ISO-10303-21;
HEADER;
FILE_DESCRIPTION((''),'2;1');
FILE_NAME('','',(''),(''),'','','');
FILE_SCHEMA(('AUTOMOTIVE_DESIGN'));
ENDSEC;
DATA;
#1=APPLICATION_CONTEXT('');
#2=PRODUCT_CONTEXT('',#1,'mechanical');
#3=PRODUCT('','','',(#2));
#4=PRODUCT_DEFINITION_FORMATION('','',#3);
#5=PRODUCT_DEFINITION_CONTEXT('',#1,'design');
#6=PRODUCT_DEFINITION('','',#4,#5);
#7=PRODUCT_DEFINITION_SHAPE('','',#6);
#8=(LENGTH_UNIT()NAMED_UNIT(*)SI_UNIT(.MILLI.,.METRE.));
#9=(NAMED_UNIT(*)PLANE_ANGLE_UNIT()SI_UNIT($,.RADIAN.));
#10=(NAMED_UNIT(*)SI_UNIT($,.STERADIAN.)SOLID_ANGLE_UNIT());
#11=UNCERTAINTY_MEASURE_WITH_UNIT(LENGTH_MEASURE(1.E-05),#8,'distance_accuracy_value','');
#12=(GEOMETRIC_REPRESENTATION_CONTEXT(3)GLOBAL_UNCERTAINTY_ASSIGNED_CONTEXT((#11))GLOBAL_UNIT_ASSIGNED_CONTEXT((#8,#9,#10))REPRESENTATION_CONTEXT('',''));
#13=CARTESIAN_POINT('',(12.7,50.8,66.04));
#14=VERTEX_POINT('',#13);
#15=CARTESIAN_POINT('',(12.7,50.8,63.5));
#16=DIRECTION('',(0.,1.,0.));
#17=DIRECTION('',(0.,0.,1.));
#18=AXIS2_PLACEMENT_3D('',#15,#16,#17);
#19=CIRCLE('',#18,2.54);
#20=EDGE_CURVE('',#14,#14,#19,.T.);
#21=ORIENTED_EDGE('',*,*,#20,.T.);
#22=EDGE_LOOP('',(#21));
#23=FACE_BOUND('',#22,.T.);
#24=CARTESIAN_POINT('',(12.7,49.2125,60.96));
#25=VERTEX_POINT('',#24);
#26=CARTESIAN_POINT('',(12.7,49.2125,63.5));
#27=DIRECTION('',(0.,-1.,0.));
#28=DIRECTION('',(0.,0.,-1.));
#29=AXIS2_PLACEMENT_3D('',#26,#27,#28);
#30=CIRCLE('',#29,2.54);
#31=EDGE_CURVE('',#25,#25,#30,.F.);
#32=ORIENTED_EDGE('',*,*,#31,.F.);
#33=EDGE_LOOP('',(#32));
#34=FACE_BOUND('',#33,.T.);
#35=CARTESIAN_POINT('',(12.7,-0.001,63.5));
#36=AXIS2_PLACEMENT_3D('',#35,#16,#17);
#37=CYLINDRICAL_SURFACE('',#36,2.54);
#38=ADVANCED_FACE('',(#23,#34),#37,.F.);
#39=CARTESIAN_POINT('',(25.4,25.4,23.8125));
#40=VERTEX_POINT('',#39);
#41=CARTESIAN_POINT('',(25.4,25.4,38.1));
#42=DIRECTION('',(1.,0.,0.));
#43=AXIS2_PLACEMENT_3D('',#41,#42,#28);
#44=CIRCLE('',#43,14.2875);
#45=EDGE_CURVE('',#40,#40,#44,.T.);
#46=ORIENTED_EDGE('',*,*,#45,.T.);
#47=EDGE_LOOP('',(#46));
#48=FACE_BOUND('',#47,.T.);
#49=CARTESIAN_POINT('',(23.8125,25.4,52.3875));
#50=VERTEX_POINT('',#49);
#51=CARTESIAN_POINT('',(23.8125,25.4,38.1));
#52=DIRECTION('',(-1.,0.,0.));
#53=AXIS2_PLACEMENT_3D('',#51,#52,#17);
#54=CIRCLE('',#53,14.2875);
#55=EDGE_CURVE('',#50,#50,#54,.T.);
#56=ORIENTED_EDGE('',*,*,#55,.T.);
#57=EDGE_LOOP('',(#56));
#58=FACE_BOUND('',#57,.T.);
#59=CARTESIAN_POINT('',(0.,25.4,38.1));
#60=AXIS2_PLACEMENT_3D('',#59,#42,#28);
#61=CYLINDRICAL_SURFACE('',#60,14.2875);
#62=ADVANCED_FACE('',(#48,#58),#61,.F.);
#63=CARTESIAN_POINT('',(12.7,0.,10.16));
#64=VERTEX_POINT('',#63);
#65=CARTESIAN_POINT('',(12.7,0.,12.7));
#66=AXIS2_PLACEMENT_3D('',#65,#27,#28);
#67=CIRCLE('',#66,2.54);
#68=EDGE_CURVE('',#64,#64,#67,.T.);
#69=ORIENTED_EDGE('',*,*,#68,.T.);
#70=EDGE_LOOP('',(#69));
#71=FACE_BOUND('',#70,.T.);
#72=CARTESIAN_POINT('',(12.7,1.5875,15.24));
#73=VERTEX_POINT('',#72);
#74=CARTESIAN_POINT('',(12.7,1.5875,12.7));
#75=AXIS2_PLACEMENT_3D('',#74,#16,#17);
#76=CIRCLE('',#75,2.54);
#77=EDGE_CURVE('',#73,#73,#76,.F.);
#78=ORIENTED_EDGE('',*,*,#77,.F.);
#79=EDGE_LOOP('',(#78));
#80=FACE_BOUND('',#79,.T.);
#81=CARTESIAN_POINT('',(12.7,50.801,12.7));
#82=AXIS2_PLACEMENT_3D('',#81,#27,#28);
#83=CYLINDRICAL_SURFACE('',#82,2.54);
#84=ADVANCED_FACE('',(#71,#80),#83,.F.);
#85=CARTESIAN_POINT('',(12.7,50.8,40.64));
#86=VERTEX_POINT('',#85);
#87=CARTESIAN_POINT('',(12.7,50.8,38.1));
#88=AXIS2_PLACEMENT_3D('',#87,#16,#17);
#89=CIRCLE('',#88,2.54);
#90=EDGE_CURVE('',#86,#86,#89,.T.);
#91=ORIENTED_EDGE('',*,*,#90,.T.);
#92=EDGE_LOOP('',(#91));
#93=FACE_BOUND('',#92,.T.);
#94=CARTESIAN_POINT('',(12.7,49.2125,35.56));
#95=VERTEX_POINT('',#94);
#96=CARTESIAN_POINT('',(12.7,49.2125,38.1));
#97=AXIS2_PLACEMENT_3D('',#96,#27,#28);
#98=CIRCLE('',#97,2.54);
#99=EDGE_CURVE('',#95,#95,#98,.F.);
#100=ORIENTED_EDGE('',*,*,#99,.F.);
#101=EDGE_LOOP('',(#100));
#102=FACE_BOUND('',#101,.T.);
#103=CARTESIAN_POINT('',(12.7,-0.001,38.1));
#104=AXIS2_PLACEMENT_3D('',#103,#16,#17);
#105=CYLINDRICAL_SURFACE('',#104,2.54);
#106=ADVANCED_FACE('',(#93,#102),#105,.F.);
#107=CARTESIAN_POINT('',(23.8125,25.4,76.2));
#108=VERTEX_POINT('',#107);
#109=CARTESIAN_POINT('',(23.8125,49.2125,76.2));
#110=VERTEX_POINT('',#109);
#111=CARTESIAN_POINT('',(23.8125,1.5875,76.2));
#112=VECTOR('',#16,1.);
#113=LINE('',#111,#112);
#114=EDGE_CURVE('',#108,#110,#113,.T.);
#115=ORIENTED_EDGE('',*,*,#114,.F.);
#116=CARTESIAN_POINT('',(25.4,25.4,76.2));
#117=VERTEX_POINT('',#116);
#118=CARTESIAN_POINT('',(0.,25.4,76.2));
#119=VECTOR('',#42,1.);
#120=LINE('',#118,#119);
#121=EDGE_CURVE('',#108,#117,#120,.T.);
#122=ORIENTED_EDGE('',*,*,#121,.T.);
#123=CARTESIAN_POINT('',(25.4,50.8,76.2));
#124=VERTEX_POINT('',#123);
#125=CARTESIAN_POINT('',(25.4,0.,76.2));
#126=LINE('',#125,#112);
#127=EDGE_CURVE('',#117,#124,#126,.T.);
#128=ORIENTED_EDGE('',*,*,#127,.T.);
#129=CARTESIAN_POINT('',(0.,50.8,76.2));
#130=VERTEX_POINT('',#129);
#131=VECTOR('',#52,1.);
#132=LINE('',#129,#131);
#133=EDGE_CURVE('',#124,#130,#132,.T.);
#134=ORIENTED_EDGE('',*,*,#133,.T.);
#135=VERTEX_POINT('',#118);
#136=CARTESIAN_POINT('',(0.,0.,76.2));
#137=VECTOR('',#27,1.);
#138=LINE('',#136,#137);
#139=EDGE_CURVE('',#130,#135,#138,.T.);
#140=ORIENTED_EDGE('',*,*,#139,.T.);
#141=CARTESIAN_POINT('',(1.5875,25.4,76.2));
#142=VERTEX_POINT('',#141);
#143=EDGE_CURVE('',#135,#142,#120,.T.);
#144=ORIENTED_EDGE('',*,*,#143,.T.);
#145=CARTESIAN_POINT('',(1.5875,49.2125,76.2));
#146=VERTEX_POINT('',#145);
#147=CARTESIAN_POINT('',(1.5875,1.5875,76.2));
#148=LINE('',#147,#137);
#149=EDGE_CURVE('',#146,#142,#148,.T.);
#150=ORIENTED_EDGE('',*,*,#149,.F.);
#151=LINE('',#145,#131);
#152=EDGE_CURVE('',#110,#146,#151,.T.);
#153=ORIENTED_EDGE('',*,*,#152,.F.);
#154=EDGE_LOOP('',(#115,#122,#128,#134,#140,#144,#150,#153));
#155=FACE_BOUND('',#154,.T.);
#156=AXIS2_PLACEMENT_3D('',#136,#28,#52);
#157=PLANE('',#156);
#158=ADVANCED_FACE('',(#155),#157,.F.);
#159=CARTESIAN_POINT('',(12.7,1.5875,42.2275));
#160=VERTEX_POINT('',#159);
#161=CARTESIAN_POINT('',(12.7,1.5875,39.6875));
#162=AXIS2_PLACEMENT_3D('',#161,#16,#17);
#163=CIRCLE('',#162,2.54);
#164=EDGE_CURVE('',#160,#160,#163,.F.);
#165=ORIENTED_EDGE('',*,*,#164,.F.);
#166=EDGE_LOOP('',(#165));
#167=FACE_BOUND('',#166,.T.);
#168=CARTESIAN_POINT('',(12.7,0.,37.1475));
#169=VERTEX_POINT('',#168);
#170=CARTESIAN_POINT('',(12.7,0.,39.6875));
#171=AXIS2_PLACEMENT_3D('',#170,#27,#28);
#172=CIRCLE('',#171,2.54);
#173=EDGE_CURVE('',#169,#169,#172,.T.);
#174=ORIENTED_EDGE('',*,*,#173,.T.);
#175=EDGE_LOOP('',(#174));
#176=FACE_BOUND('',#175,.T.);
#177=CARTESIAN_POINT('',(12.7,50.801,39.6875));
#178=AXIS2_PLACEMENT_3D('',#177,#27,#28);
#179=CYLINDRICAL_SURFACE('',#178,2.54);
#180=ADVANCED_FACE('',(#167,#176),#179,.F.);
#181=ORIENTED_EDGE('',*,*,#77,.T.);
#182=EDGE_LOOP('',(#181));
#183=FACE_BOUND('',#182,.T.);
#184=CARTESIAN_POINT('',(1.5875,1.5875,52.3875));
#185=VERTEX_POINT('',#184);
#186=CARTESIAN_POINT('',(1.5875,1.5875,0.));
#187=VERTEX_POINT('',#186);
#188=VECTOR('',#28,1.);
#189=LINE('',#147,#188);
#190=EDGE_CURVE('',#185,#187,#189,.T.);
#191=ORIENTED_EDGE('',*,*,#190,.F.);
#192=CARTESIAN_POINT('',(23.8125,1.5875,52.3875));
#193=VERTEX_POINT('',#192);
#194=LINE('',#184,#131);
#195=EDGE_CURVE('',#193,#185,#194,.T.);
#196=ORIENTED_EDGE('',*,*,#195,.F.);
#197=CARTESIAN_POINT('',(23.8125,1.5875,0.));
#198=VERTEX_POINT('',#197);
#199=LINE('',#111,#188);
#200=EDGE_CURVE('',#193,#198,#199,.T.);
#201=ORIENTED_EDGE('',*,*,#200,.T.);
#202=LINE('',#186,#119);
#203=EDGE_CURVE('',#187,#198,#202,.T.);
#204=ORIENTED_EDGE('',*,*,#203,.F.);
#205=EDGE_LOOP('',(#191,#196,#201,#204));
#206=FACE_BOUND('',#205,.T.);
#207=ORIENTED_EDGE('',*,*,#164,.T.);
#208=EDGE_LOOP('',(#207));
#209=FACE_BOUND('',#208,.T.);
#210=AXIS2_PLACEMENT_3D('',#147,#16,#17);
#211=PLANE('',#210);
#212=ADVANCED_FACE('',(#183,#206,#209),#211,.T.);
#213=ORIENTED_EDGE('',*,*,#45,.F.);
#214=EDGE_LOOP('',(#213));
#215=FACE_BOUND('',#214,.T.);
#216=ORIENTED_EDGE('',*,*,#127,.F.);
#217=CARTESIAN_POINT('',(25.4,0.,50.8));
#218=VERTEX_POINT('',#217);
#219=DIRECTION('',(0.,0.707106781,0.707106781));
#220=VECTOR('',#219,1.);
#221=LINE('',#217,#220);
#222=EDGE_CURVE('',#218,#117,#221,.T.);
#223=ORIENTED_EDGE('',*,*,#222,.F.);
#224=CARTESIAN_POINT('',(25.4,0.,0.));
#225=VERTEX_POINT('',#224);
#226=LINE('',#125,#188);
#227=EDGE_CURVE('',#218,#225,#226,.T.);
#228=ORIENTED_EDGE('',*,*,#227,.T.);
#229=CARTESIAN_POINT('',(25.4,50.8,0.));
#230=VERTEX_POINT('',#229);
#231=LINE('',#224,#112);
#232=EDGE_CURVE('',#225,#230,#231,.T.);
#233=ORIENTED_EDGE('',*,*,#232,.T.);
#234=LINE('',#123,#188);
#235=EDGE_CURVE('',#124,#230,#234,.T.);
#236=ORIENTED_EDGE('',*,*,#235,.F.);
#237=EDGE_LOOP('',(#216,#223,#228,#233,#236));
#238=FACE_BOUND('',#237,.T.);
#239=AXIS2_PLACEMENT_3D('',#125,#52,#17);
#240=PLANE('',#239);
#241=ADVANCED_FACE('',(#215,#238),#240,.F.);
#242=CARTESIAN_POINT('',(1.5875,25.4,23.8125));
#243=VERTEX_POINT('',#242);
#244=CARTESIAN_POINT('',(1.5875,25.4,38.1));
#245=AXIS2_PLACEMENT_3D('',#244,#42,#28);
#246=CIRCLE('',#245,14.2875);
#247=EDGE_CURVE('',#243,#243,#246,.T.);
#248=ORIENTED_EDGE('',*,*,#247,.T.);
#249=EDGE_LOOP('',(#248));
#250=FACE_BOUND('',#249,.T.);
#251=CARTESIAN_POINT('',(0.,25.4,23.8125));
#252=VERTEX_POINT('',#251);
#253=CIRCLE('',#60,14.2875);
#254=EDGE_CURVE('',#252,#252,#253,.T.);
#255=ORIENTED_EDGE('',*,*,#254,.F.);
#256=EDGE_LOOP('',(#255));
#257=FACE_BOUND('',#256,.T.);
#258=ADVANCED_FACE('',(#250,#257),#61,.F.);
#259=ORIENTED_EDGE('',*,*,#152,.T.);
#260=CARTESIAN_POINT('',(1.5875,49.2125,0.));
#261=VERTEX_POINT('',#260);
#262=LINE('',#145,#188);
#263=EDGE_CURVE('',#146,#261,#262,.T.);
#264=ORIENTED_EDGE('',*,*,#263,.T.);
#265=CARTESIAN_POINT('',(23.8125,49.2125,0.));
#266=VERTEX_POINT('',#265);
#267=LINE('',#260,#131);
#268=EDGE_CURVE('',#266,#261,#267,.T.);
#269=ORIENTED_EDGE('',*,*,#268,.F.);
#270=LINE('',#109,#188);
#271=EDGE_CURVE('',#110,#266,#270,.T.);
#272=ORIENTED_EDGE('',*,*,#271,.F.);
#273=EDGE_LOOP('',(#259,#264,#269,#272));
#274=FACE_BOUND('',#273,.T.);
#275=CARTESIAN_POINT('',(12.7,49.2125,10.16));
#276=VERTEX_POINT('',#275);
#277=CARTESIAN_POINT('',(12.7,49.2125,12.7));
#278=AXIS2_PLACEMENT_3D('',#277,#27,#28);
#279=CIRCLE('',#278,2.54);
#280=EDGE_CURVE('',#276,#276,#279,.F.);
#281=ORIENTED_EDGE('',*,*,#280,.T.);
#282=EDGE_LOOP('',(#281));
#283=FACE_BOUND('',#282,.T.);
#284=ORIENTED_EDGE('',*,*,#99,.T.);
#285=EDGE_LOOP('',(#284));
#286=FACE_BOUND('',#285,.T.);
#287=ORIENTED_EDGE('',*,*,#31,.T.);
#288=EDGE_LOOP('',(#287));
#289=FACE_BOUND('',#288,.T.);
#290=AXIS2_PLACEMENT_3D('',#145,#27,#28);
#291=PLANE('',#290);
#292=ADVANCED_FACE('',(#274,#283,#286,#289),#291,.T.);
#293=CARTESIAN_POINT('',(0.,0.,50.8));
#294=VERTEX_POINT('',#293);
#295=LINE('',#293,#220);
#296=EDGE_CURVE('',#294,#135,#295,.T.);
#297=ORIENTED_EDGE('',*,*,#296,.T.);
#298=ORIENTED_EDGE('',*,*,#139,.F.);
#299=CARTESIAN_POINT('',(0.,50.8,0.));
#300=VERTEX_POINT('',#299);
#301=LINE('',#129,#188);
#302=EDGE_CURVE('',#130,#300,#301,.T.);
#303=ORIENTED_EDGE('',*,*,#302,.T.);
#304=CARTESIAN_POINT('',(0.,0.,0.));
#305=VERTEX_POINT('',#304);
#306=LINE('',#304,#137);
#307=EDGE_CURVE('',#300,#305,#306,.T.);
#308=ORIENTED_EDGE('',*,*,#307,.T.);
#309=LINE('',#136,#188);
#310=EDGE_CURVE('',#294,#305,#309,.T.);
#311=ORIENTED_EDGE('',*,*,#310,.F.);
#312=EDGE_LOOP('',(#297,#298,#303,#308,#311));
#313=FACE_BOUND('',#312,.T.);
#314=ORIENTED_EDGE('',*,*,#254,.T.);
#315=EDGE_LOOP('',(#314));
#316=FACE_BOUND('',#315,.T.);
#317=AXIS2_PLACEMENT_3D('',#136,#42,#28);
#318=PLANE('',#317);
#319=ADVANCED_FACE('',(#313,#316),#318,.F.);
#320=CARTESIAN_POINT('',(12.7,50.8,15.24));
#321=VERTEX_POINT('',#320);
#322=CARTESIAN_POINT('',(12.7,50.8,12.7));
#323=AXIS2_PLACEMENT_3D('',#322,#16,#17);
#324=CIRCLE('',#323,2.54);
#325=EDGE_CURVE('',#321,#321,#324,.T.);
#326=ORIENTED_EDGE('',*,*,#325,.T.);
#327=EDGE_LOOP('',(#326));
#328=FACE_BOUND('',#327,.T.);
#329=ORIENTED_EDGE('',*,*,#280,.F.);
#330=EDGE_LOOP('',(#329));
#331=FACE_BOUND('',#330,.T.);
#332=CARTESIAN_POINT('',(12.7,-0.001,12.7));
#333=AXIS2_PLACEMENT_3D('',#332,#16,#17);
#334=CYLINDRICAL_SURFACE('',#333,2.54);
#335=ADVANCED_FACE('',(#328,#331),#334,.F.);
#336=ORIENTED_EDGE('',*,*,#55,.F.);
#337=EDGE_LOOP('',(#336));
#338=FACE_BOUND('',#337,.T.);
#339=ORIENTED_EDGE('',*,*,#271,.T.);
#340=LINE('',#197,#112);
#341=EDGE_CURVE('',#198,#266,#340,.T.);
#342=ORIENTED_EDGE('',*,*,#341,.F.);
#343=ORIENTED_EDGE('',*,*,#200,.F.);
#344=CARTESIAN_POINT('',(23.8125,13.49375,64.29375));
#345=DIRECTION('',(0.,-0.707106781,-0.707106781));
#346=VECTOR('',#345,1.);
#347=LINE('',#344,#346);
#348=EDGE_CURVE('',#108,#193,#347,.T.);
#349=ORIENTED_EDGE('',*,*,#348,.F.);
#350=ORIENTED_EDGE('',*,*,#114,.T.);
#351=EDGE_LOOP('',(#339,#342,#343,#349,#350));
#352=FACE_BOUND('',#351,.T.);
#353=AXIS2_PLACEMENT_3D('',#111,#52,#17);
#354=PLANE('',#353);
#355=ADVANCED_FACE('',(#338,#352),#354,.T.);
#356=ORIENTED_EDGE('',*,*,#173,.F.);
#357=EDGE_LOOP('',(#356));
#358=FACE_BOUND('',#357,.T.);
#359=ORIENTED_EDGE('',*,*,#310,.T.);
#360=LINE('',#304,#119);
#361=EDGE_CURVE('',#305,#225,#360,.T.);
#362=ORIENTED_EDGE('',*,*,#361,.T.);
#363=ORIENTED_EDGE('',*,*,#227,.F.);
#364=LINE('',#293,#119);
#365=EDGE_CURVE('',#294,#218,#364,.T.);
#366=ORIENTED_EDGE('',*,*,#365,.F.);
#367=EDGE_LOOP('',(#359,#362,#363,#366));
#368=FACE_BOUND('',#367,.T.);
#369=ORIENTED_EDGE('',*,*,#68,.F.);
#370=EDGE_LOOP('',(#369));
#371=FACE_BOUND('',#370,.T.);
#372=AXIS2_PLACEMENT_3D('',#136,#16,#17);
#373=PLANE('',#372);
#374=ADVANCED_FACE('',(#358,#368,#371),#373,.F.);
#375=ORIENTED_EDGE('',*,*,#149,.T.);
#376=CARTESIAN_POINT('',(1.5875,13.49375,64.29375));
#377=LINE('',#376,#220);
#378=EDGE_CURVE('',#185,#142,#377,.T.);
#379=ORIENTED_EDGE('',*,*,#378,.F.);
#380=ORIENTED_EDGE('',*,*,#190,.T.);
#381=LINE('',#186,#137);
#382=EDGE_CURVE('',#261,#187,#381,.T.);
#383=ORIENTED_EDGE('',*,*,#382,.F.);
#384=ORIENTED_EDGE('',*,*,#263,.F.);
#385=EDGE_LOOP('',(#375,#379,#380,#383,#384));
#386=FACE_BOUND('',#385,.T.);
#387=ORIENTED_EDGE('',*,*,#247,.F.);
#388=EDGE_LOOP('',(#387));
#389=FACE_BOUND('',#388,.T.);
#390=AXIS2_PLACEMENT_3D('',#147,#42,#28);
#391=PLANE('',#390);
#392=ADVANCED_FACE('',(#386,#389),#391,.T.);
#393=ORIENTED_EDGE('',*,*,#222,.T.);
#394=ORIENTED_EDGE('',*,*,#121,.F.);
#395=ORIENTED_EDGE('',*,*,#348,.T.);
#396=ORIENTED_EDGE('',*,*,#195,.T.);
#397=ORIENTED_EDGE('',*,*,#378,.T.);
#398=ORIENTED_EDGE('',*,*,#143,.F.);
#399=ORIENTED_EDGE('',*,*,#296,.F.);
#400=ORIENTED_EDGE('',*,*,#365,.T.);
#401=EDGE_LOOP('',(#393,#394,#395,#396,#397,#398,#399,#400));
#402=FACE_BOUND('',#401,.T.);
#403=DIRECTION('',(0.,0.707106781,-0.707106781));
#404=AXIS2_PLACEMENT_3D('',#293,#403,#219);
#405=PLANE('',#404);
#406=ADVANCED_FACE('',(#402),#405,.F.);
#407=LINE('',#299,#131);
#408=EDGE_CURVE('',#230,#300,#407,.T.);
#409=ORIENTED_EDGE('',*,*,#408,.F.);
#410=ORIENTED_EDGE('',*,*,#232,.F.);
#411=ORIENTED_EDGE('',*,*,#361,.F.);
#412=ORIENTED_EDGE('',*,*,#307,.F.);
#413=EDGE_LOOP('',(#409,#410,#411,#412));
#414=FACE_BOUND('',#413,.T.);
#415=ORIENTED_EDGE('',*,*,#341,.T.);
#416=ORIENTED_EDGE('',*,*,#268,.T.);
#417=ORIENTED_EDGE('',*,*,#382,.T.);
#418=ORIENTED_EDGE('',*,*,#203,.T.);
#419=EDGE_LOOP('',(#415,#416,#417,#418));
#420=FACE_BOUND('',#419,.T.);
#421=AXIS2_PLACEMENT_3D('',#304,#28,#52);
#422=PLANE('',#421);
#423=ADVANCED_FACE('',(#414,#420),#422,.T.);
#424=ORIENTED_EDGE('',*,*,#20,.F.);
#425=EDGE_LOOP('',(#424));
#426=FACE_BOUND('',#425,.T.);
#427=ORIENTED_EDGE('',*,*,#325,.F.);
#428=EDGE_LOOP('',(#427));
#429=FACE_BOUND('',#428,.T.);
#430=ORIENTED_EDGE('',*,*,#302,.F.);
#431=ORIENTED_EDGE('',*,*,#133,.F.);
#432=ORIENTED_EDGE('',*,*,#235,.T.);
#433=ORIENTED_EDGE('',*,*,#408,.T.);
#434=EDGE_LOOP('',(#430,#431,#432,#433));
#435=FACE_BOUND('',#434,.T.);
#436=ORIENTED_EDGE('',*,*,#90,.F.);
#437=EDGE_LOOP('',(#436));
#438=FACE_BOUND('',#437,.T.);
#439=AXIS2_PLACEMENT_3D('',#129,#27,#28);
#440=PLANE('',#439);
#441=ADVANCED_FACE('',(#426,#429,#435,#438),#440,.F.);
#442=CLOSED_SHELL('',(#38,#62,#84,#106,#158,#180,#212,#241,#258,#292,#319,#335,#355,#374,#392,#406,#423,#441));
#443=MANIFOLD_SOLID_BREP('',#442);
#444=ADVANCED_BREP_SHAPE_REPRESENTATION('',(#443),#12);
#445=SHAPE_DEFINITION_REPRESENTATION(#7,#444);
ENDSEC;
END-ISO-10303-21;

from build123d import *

# Parameters (mm, degrees)
SKETCH1_W           = 25.4
SKETCH1_H           = 50.8
SKETCH1_W_2         = 22.225
SKETCH1_H_2         = 47.625
BOSS_EXTRUDE1_DEPTH = 76.2
SKETCH2_R           = 14.2875
CUT_EXTRUDE1_DEPTH  = 96.038097624
CUT_EXTRUDE2_DEPTH  = 96.038097624
CUT_EXTRUDE3_REACH  = 97.038
SKETCH4_R           = 2.54
CUT_EXTRUDE4_REACH  = 97.038
SKETCH5_R           = 2.54


with BuildPart() as part:
    # Sketch1 → Boss-Extrude1 (new body)
    with BuildSketch(Plane.XY):
        with Locations((12.7, 25.4)):
            Rectangle(SKETCH1_W, SKETCH1_H)
        with Locations((12.7, 25.4)):
            Rectangle(SKETCH1_W_2, SKETCH1_H_2, mode=Mode.SUBTRACT)
    extrude(amount=BOSS_EXTRUDE1_DEPTH)

    # Sketch2 → Cut-Extrude1 (cut, through all)
    with BuildSketch(Plane(origin=(25.4, 0, 0), x_dir=(0, 0, -1), z_dir=(1, 0, 0))):
        with Locations((-38.1, 25.4)):
            Circle(SKETCH2_R)
    extrude(amount=-CUT_EXTRUDE1_DEPTH, mode=Mode.SUBTRACT)

    # Sketch3 → Cut-Extrude2 (cut, through all)
    with BuildSketch(Plane(origin=(25.4, 0, 0), x_dir=(0, 0, -1), z_dir=(1, 0, 0))):
        Polygon((-50.8, 0), (-76.2, 25.4), (-76.2, 0), align=None)
    extrude(amount=-CUT_EXTRUDE2_DEPTH, mode=Mode.SUBTRACT)

    # Sketch4 → Cut-Extrude3 (cut, up to next)
    with BuildSketch(Plane(origin=(0, 50.8, 0), x_dir=(1, 0, 0), z_dir=(0, 1, 0)), mode=Mode.PRIVATE) as cut_extrude3_sk1:
        with Locations(Location((12.7, -12.7, 0), (0, 0, 270))):
            Circle(SKETCH4_R)
    cut_extrude3_tool1 = extrude(cut_extrude3_sk1.sketch, amount=-CUT_EXTRUDE3_REACH, mode=Mode.PRIVATE) & part.part
    # Sketch4 → Cut-Extrude3 (cut, up to next)
    with BuildSketch(Plane(origin=(0, 50.8, 0), x_dir=(1, 0, 0), z_dir=(0, 1, 0)), mode=Mode.PRIVATE) as cut_extrude3_sk2:
        with Locations(Location((12.7, -38.1, 0), (0, 0, 270))):
            Circle(SKETCH4_R)
    cut_extrude3_tool2 = extrude(cut_extrude3_sk2.sketch, amount=-CUT_EXTRUDE3_REACH, mode=Mode.PRIVATE) & part.part
    # Sketch4 → Cut-Extrude3 (cut, up to next)
    with BuildSketch(Plane(origin=(0, 50.8, 0), x_dir=(1, 0, 0), z_dir=(0, 1, 0)), mode=Mode.PRIVATE) as cut_extrude3_sk3:
        with Locations(Location((12.7, -63.5, 0), (0, 0, 270))):
            Circle(SKETCH4_R)
    cut_extrude3_tool3 = extrude(cut_extrude3_sk3.sketch, amount=-CUT_EXTRUDE3_REACH, mode=Mode.PRIVATE) & part.part
    add(cut_extrude3_tool1.solids().sort_by_distance((12.7, 50.8, 12.7))[0], mode=Mode.SUBTRACT)
    add(cut_extrude3_tool2.solids().sort_by_distance((12.7, 50.8, 38.1))[0], mode=Mode.SUBTRACT)
    add(cut_extrude3_tool3.solids().sort_by_distance((12.7, 50.8, 63.5))[0], mode=Mode.SUBTRACT)

    # Sketch5 → Cut-Extrude4 (cut, up to next)
    with BuildSketch(Plane.XZ, mode=Mode.PRIVATE) as cut_extrude4_sk1:
        with Locations(Location((12.7, 12.7, 0), (0, 0, 90))):
            Circle(SKETCH5_R)
    cut_extrude4_tool1 = extrude(cut_extrude4_sk1.sketch, amount=-CUT_EXTRUDE4_REACH, mode=Mode.PRIVATE) & part.part
    # Sketch5 → Cut-Extrude4 (cut, up to next)
    with BuildSketch(Plane.XZ, mode=Mode.PRIVATE) as cut_extrude4_sk2:
        with Locations(Location((12.7, 39.6875, 0), (0, 0, 270))):
            Circle(SKETCH5_R)
    cut_extrude4_tool2 = extrude(cut_extrude4_sk2.sketch, amount=-CUT_EXTRUDE4_REACH, mode=Mode.PRIVATE) & part.part
    add(cut_extrude4_tool1.solids().sort_by_distance((12.7, 0, 12.7))[0], mode=Mode.SUBTRACT)
    add(cut_extrude4_tool2.solids().sort_by_distance((12.7, 0, 39.6875))[0], mode=Mode.SUBTRACT)


solid = part.part
